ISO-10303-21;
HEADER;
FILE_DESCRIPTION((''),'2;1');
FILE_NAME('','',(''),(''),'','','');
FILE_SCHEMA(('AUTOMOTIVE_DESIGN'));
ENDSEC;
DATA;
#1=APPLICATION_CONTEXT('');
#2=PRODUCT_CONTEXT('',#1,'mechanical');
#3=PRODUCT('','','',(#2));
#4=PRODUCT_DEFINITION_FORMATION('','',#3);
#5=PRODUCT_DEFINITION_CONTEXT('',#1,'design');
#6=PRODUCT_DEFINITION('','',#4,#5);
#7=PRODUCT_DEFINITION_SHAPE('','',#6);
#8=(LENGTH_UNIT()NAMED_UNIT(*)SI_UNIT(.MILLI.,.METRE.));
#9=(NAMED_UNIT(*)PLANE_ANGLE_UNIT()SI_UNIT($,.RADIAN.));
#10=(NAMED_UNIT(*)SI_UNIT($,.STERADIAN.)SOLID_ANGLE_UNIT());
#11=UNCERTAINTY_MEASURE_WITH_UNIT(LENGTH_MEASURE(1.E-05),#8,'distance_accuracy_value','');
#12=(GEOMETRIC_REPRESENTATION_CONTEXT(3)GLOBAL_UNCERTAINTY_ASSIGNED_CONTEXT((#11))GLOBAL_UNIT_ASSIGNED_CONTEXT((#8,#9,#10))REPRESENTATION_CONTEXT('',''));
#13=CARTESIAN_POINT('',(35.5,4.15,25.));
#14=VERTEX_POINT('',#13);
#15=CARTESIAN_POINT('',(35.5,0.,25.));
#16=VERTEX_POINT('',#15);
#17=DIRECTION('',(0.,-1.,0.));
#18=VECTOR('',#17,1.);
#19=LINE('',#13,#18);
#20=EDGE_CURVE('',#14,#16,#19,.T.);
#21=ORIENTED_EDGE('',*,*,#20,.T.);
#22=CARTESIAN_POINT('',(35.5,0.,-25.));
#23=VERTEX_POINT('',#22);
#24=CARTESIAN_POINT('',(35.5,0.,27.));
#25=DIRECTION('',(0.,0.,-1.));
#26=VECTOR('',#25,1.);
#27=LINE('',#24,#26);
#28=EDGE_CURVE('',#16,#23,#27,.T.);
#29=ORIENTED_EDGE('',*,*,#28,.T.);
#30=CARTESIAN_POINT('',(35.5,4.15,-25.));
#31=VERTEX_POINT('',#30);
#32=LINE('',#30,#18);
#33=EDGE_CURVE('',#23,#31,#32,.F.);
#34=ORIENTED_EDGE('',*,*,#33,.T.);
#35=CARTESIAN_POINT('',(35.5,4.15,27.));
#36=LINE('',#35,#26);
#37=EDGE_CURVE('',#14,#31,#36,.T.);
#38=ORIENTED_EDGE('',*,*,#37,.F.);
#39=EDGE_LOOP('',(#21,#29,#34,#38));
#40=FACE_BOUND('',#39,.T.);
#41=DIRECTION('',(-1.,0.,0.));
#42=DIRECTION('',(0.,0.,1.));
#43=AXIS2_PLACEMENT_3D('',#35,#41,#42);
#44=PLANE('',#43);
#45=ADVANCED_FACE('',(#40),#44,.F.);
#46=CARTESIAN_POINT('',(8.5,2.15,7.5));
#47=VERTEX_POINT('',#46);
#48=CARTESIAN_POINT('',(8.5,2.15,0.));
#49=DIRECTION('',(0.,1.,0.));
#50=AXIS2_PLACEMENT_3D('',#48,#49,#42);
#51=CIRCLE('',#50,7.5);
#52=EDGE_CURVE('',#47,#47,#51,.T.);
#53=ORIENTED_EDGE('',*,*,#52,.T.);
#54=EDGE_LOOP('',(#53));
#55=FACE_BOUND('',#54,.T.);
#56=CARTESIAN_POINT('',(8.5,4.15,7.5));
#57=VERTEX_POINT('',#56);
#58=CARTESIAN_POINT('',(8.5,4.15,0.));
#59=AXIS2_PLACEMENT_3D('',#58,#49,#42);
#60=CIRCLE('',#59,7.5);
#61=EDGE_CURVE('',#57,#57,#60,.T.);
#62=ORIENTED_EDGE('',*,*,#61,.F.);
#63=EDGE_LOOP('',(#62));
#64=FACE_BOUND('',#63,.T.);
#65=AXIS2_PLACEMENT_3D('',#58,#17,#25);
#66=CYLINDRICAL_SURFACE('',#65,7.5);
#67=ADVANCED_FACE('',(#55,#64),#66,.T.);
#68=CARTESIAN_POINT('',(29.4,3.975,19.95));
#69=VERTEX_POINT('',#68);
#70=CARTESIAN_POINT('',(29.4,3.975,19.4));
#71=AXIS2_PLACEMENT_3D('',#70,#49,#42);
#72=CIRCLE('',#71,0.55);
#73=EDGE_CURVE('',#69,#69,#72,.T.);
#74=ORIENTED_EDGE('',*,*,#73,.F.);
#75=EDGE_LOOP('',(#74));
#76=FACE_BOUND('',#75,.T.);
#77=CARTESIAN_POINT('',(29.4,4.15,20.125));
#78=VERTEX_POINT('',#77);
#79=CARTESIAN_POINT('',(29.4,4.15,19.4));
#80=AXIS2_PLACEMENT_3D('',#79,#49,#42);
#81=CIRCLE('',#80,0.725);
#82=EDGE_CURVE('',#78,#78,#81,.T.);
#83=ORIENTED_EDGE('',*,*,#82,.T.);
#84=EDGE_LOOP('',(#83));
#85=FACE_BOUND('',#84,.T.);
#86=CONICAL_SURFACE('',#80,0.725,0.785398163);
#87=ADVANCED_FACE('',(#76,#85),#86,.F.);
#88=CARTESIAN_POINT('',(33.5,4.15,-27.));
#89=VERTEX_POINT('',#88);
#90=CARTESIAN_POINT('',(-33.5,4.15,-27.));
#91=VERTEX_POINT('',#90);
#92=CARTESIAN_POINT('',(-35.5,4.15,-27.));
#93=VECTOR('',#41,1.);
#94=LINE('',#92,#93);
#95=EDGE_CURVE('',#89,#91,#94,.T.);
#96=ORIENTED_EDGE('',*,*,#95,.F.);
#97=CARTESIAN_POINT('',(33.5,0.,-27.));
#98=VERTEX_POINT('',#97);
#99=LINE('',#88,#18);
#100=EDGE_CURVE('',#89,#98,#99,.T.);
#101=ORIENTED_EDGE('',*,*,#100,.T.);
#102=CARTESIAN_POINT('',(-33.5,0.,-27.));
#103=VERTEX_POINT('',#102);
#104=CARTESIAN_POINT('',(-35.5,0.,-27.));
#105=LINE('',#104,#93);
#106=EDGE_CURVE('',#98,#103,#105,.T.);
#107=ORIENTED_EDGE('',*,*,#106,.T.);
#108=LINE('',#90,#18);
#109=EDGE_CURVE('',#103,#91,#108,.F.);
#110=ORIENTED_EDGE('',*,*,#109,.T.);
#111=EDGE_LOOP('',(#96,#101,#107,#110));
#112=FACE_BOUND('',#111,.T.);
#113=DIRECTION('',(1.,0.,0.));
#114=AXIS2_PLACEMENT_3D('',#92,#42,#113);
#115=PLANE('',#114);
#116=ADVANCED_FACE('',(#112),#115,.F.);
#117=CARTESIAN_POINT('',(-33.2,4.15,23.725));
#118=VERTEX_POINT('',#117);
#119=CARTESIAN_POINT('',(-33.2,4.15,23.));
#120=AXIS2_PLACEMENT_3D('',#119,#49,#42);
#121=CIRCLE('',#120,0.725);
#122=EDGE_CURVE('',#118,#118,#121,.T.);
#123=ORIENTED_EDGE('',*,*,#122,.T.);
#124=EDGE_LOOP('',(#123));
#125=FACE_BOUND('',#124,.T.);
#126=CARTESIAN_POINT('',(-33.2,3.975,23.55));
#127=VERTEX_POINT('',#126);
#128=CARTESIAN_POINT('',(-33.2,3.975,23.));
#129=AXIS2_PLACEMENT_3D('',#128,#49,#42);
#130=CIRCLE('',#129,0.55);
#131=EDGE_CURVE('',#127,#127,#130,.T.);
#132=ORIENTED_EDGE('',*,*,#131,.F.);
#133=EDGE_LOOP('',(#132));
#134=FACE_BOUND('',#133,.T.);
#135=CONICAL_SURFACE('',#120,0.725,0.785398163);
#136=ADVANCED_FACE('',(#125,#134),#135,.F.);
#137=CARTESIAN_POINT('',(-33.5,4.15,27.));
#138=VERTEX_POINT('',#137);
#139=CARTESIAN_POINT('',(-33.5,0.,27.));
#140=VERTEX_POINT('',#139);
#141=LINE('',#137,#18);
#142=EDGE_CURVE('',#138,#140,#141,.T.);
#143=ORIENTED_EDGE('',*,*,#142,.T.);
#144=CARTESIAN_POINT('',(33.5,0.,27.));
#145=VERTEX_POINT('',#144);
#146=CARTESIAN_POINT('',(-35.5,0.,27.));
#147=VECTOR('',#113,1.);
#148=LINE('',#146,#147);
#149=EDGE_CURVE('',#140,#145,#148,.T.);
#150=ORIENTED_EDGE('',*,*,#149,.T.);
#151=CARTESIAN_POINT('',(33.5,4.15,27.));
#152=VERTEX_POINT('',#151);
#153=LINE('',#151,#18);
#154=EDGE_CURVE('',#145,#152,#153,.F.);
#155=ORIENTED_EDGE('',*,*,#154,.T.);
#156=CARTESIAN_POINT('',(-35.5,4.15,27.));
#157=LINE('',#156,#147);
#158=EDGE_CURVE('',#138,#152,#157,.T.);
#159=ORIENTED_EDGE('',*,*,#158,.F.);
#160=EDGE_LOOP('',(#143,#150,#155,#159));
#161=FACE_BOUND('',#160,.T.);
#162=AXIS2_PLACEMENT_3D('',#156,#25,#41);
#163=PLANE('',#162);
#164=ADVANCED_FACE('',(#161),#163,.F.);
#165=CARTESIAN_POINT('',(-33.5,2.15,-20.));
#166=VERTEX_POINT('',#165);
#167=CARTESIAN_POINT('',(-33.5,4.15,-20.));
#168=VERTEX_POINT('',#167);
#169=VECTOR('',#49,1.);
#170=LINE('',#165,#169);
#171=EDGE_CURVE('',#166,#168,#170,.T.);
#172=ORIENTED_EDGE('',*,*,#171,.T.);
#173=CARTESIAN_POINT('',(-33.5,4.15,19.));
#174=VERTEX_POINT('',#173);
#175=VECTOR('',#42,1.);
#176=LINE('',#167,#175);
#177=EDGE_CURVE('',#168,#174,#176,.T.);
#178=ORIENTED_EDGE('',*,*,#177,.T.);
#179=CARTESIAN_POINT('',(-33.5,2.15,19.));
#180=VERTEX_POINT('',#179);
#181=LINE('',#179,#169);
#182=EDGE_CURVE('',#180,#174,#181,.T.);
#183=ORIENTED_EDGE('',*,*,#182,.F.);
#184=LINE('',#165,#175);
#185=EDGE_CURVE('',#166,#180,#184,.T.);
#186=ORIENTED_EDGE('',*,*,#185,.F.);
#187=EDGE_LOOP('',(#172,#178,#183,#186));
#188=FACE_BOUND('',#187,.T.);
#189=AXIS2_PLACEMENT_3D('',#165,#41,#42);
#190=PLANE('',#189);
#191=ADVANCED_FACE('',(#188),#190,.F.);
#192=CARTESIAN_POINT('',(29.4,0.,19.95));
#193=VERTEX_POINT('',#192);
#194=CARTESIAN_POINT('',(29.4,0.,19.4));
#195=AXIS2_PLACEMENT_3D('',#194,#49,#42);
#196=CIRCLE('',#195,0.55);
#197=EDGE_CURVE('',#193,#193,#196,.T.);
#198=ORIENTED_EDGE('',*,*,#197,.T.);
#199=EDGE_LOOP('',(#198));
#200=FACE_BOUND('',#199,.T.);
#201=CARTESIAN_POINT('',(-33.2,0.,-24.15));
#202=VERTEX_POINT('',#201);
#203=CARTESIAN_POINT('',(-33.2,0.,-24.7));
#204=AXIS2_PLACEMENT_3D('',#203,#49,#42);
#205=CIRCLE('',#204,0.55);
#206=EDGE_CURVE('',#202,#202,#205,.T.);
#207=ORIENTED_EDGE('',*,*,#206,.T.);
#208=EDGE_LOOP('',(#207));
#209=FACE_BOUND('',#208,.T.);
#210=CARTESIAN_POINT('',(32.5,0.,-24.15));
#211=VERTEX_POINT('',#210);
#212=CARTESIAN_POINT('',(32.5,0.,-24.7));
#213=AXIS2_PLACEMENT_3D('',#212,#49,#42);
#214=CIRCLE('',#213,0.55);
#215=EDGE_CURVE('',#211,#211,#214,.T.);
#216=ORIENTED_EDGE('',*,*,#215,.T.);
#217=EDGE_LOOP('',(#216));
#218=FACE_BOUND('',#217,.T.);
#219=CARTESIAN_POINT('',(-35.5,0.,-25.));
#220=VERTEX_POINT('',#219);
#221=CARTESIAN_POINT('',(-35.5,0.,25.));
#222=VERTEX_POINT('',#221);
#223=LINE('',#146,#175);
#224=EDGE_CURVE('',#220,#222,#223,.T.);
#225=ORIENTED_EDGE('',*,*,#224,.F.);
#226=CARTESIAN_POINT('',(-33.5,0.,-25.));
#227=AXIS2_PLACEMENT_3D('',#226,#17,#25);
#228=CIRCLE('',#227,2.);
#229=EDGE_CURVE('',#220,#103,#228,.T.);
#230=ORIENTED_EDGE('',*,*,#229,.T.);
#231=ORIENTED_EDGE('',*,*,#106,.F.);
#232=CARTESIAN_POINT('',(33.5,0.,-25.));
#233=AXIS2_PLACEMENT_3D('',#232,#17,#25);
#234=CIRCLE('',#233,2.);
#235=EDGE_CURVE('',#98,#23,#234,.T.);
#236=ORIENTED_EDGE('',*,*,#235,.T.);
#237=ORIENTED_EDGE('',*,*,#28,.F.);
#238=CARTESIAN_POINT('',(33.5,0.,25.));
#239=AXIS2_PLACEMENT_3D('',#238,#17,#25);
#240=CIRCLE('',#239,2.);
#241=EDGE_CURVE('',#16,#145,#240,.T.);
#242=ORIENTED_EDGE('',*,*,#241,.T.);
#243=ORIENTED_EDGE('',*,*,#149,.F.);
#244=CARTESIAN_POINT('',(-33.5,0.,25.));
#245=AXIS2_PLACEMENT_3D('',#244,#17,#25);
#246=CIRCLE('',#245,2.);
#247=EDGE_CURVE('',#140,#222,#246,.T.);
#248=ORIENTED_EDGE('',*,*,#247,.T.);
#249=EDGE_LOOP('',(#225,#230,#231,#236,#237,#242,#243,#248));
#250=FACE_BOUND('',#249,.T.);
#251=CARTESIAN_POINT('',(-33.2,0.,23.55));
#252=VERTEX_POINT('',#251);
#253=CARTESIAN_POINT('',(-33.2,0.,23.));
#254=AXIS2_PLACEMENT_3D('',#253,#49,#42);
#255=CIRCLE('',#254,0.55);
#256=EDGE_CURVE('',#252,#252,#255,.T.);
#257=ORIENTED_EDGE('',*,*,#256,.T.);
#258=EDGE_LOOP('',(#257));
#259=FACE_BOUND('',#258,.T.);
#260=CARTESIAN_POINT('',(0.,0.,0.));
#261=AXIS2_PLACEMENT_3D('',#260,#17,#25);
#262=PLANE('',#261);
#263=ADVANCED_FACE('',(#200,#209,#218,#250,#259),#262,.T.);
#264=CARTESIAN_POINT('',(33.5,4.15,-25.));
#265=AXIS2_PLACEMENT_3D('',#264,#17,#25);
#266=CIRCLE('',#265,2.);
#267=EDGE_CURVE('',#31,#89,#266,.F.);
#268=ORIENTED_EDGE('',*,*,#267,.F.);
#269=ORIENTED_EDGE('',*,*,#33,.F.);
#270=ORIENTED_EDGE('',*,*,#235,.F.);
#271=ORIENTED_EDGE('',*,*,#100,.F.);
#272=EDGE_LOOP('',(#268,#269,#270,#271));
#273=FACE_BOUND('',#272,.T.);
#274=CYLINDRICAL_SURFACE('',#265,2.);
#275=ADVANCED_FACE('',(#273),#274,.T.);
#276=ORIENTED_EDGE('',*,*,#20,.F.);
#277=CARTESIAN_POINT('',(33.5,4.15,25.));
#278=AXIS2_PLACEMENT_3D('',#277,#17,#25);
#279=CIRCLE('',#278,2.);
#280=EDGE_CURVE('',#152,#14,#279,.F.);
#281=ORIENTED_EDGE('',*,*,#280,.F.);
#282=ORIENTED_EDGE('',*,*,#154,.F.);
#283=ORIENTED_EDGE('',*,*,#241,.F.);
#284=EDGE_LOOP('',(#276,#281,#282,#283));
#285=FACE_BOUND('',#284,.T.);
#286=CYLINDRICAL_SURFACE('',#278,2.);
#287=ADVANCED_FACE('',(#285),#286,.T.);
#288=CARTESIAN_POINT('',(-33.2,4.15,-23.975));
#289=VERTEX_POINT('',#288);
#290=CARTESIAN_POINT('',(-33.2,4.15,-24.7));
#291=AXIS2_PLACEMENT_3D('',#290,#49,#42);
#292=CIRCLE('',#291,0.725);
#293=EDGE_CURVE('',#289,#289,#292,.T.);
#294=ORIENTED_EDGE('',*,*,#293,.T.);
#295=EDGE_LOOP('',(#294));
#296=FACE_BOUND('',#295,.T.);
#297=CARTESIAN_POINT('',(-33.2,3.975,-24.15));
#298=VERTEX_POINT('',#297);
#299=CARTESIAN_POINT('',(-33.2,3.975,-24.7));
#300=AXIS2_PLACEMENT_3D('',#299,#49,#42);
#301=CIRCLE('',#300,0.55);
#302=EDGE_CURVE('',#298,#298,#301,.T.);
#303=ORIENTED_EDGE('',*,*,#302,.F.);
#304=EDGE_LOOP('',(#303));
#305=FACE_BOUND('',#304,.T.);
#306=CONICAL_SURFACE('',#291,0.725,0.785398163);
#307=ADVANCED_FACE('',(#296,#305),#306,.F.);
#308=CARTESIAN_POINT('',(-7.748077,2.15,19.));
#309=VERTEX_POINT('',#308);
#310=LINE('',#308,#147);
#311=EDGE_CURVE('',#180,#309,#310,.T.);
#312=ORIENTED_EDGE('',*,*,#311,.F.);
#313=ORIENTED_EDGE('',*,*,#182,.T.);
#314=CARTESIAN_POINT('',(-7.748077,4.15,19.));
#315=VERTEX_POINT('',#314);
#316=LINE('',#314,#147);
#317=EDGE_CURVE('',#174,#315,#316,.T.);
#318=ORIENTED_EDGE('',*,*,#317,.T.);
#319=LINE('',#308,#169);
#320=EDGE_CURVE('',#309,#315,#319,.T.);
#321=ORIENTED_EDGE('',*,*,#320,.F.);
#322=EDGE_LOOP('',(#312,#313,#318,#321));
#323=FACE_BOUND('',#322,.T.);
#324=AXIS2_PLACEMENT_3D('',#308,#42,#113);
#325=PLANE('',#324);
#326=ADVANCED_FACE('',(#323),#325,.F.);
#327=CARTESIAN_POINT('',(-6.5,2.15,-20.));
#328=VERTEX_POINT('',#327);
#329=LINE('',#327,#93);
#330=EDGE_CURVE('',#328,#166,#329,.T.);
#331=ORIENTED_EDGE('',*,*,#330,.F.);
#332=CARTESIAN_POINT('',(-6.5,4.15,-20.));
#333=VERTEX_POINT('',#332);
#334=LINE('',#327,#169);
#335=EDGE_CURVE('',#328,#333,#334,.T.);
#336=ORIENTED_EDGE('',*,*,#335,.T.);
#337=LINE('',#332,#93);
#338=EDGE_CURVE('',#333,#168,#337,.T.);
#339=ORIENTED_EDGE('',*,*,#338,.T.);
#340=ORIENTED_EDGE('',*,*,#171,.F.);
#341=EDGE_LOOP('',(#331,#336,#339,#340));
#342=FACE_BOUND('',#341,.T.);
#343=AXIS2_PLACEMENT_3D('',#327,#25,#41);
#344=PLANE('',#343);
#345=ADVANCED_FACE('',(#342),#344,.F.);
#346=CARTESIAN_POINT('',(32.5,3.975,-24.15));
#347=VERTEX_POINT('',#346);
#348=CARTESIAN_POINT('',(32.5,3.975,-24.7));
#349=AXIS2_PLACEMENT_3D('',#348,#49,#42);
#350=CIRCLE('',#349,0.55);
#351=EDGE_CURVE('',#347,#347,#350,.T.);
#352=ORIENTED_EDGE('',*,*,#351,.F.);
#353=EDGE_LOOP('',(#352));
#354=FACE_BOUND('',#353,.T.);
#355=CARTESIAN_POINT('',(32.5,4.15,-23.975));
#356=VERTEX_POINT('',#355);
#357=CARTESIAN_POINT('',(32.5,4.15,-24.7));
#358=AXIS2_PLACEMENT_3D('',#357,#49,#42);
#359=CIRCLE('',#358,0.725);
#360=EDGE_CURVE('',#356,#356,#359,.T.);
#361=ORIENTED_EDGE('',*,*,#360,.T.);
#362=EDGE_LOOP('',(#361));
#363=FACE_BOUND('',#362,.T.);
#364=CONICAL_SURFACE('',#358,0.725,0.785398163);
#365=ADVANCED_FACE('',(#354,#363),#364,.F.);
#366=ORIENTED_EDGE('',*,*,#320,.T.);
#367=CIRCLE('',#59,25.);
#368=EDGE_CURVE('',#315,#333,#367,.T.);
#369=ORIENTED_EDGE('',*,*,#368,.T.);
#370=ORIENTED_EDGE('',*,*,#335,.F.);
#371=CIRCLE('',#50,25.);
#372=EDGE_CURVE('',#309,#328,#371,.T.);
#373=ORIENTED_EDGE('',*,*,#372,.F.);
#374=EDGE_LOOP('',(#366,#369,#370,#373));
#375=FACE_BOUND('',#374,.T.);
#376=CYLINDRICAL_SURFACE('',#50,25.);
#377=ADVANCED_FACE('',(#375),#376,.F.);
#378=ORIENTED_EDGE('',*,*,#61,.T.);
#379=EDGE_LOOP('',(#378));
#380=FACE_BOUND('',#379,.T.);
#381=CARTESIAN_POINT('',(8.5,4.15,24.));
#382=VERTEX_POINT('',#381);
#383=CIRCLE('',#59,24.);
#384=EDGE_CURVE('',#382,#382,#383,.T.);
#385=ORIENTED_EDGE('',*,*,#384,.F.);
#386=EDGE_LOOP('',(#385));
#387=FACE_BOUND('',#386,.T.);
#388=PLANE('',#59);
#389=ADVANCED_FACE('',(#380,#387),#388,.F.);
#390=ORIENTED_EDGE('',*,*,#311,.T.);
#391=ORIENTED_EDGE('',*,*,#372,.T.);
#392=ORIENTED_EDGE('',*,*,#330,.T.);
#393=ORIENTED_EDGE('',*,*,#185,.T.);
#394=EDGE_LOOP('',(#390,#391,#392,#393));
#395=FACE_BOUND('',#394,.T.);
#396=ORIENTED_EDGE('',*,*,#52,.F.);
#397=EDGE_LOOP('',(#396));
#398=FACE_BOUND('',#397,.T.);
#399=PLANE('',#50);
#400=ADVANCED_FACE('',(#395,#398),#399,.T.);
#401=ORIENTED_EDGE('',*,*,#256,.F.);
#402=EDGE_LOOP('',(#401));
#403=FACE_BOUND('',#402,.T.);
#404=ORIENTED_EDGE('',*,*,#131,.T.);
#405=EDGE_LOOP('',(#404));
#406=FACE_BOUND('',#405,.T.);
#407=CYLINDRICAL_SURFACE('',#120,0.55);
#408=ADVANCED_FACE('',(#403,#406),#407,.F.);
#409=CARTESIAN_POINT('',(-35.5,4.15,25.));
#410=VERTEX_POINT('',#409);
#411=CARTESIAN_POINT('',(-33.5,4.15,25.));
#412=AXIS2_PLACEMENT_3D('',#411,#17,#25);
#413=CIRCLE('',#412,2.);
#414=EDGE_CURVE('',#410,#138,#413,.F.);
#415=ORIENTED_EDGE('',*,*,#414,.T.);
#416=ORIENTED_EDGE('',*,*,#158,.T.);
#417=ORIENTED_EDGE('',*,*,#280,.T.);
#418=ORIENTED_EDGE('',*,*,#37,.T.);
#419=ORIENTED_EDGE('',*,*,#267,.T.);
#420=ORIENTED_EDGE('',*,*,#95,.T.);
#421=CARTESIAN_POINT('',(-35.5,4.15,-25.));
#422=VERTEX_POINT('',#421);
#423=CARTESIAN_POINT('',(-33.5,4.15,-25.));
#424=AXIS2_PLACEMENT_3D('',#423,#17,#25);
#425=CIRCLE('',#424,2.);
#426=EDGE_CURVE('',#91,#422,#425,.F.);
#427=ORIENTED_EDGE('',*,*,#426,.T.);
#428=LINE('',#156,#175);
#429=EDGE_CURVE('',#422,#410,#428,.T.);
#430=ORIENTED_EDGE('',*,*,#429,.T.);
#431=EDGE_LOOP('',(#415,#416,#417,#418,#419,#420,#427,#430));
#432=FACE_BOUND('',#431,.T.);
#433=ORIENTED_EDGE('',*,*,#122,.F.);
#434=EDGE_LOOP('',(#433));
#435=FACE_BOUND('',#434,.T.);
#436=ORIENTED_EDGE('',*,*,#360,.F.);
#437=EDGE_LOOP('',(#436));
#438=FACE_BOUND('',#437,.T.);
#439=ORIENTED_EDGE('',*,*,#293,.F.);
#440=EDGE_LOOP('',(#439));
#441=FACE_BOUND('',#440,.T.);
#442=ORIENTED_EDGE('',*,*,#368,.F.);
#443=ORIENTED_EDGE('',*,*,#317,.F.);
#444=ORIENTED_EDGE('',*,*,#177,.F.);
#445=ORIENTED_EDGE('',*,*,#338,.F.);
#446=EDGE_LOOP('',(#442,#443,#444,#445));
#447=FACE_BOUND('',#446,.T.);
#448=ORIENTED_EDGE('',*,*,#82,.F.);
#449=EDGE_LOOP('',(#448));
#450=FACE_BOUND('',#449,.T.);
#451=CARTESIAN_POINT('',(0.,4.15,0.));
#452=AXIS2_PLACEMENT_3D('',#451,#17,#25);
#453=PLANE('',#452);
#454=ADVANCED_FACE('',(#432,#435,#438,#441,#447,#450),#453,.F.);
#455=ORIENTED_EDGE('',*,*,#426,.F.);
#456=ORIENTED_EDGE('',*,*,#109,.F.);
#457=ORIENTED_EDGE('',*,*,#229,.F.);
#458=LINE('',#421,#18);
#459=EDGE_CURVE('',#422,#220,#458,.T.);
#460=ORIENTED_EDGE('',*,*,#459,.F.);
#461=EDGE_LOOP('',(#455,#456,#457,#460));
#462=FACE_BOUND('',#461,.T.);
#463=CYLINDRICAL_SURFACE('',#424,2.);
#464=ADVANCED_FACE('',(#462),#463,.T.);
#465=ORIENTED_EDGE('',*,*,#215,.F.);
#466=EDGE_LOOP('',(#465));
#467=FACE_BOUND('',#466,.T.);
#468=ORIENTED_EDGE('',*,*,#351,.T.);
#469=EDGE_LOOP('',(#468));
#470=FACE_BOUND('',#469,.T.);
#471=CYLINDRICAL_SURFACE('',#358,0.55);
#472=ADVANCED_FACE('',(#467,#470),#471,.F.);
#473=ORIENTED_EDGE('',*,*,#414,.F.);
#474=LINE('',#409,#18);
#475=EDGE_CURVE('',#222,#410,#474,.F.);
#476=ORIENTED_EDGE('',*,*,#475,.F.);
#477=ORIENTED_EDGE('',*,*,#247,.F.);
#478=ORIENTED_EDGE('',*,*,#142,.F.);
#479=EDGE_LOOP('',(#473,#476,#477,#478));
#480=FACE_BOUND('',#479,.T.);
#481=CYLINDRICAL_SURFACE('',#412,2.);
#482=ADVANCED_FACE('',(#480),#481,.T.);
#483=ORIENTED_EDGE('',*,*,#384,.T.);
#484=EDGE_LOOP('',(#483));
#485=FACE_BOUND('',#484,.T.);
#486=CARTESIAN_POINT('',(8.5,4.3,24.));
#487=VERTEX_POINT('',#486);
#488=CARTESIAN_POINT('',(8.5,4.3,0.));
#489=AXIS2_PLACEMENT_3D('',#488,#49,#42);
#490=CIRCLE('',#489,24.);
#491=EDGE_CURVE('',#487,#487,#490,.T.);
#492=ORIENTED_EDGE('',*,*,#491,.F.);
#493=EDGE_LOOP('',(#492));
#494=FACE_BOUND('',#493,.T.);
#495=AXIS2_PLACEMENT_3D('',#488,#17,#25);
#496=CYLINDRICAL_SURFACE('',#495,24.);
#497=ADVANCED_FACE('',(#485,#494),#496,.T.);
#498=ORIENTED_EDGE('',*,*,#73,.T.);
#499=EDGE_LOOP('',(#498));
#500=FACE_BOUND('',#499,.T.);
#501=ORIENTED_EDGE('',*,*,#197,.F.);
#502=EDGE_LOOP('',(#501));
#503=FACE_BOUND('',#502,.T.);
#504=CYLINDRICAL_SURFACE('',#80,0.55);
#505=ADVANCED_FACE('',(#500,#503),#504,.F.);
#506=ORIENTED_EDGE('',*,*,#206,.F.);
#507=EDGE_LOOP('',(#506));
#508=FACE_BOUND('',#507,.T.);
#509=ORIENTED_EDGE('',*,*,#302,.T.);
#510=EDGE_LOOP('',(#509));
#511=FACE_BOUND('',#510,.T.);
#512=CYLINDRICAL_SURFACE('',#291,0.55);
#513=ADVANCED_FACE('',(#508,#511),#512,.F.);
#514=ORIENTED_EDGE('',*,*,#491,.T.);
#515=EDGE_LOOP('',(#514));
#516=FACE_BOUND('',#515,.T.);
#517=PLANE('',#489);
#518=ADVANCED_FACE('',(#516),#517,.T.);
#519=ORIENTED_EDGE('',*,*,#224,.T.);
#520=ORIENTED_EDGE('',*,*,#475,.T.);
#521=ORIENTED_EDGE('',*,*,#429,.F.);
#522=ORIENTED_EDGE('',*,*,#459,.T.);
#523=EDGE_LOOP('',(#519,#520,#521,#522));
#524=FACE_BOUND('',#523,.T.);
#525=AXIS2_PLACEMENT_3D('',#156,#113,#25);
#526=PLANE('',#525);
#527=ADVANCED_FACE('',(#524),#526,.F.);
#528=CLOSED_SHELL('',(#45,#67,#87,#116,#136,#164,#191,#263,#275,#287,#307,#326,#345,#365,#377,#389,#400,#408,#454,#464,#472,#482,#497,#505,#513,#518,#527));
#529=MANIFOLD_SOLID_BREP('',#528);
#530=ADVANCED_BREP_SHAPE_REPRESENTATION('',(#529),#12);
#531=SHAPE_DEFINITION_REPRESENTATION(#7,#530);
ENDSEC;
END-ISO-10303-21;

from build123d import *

# Parameters (mm, degrees)
SKETCH1_W                         = 71
SKETCH1_H                         = 54
BOSS_EXTRUDE1_DEPTH               = 4.15
CUT_EXTRUDE1_DEPTH                = 2
SKETCH4_R                         = 7.5
BOSS_EXTRUDE3_DEPTH               = 2
SKETCH5_R                         = 24
BOSS_EXTRUDE4_DEPTH               = 0.15
M1_4X0_3_TAPPED_HOLE1_D           = 1.1
M1_4X0_3_TAPPED_HOLE1_CSINK_D     = 1.45
M1_4X0_3_TAPPED_HOLE1_CSINK_ANGLE = 90
FILLET1_R                         = 2


with BuildPart() as part:
    # Sketch1 → Boss-Extrude1 (new body)
    with BuildSketch(Plane(origin=(0, 0, 0), x_dir=(1, 0, 0), z_dir=(0, 1, 0))):
        Rectangle(SKETCH1_W, SKETCH1_H)
    extrude(amount=BOSS_EXTRUDE1_DEPTH)

    # Sketch3 → Cut-Extrude1 (cut)
    with BuildSketch(Plane(origin=(0, 4.15, 0), x_dir=(1, 0, 0), z_dir=(0, 1, 0))):
        with BuildLine():
            Line((-6.5, 20), (-33.5, 20))
            Line((-33.5, 20), (-33.5, -19))
            Line((-33.5, -19), (-7.748076809, -19))
            ThreePointArc((-7.748076809, -19), (33.487208249, -0.799639875), (-6.5, 20))
        make_face()
    extrude(amount=-CUT_EXTRUDE1_DEPTH, mode=Mode.SUBTRACT)

    # Sketch4 → Boss-Extrude3 (add)
    with BuildSketch(Plane(origin=(0, 2.15, 0), x_dir=(1, 0, 0), z_dir=(0, 1, 0))):
        with Locations((8.5, 0)):
            Circle(SKETCH4_R)
    extrude(amount=BOSS_EXTRUDE3_DEPTH)

    # Sketch5 → Boss-Extrude4 (add)
    with BuildSketch(Plane(origin=(0, 4.15, 0), x_dir=(1, 0, 0), z_dir=(0, 1, 0))):
        with Locations((8.5, 0)):
            Circle(SKETCH5_R)
    extrude(amount=BOSS_EXTRUDE4_DEPTH)

    # M1.4x0.3 Tapped Hole1 (through all)
    with Locations(Plane(origin=(0, 4.15, 0), x_dir=(1, 0, 0), z_dir=(0, 1, 0))):
        with Locations((-33.2, 24.7), (-33.2, -23), (29.4, -19.4), (32.5, 24.7)):
            CounterSinkHole(M1_4X0_3_TAPPED_HOLE1_D / 2, M1_4X0_3_TAPPED_HOLE1_CSINK_D / 2, counter_sink_angle=M1_4X0_3_TAPPED_HOLE1_CSINK_ANGLE)

    # Fillet1
    fillet1_edges = [part.edges().sort_by_distance(p)[0] for p in [
        (35.5, 2.075, 27),
        (-35.5, 2.075, 27),
        (-35.5, 2.075, -27),
        (35.5, 2.075, -27),
    ]]
    fillet(fillet1_edges, radius=FILLET1_R)


solid = part.part
